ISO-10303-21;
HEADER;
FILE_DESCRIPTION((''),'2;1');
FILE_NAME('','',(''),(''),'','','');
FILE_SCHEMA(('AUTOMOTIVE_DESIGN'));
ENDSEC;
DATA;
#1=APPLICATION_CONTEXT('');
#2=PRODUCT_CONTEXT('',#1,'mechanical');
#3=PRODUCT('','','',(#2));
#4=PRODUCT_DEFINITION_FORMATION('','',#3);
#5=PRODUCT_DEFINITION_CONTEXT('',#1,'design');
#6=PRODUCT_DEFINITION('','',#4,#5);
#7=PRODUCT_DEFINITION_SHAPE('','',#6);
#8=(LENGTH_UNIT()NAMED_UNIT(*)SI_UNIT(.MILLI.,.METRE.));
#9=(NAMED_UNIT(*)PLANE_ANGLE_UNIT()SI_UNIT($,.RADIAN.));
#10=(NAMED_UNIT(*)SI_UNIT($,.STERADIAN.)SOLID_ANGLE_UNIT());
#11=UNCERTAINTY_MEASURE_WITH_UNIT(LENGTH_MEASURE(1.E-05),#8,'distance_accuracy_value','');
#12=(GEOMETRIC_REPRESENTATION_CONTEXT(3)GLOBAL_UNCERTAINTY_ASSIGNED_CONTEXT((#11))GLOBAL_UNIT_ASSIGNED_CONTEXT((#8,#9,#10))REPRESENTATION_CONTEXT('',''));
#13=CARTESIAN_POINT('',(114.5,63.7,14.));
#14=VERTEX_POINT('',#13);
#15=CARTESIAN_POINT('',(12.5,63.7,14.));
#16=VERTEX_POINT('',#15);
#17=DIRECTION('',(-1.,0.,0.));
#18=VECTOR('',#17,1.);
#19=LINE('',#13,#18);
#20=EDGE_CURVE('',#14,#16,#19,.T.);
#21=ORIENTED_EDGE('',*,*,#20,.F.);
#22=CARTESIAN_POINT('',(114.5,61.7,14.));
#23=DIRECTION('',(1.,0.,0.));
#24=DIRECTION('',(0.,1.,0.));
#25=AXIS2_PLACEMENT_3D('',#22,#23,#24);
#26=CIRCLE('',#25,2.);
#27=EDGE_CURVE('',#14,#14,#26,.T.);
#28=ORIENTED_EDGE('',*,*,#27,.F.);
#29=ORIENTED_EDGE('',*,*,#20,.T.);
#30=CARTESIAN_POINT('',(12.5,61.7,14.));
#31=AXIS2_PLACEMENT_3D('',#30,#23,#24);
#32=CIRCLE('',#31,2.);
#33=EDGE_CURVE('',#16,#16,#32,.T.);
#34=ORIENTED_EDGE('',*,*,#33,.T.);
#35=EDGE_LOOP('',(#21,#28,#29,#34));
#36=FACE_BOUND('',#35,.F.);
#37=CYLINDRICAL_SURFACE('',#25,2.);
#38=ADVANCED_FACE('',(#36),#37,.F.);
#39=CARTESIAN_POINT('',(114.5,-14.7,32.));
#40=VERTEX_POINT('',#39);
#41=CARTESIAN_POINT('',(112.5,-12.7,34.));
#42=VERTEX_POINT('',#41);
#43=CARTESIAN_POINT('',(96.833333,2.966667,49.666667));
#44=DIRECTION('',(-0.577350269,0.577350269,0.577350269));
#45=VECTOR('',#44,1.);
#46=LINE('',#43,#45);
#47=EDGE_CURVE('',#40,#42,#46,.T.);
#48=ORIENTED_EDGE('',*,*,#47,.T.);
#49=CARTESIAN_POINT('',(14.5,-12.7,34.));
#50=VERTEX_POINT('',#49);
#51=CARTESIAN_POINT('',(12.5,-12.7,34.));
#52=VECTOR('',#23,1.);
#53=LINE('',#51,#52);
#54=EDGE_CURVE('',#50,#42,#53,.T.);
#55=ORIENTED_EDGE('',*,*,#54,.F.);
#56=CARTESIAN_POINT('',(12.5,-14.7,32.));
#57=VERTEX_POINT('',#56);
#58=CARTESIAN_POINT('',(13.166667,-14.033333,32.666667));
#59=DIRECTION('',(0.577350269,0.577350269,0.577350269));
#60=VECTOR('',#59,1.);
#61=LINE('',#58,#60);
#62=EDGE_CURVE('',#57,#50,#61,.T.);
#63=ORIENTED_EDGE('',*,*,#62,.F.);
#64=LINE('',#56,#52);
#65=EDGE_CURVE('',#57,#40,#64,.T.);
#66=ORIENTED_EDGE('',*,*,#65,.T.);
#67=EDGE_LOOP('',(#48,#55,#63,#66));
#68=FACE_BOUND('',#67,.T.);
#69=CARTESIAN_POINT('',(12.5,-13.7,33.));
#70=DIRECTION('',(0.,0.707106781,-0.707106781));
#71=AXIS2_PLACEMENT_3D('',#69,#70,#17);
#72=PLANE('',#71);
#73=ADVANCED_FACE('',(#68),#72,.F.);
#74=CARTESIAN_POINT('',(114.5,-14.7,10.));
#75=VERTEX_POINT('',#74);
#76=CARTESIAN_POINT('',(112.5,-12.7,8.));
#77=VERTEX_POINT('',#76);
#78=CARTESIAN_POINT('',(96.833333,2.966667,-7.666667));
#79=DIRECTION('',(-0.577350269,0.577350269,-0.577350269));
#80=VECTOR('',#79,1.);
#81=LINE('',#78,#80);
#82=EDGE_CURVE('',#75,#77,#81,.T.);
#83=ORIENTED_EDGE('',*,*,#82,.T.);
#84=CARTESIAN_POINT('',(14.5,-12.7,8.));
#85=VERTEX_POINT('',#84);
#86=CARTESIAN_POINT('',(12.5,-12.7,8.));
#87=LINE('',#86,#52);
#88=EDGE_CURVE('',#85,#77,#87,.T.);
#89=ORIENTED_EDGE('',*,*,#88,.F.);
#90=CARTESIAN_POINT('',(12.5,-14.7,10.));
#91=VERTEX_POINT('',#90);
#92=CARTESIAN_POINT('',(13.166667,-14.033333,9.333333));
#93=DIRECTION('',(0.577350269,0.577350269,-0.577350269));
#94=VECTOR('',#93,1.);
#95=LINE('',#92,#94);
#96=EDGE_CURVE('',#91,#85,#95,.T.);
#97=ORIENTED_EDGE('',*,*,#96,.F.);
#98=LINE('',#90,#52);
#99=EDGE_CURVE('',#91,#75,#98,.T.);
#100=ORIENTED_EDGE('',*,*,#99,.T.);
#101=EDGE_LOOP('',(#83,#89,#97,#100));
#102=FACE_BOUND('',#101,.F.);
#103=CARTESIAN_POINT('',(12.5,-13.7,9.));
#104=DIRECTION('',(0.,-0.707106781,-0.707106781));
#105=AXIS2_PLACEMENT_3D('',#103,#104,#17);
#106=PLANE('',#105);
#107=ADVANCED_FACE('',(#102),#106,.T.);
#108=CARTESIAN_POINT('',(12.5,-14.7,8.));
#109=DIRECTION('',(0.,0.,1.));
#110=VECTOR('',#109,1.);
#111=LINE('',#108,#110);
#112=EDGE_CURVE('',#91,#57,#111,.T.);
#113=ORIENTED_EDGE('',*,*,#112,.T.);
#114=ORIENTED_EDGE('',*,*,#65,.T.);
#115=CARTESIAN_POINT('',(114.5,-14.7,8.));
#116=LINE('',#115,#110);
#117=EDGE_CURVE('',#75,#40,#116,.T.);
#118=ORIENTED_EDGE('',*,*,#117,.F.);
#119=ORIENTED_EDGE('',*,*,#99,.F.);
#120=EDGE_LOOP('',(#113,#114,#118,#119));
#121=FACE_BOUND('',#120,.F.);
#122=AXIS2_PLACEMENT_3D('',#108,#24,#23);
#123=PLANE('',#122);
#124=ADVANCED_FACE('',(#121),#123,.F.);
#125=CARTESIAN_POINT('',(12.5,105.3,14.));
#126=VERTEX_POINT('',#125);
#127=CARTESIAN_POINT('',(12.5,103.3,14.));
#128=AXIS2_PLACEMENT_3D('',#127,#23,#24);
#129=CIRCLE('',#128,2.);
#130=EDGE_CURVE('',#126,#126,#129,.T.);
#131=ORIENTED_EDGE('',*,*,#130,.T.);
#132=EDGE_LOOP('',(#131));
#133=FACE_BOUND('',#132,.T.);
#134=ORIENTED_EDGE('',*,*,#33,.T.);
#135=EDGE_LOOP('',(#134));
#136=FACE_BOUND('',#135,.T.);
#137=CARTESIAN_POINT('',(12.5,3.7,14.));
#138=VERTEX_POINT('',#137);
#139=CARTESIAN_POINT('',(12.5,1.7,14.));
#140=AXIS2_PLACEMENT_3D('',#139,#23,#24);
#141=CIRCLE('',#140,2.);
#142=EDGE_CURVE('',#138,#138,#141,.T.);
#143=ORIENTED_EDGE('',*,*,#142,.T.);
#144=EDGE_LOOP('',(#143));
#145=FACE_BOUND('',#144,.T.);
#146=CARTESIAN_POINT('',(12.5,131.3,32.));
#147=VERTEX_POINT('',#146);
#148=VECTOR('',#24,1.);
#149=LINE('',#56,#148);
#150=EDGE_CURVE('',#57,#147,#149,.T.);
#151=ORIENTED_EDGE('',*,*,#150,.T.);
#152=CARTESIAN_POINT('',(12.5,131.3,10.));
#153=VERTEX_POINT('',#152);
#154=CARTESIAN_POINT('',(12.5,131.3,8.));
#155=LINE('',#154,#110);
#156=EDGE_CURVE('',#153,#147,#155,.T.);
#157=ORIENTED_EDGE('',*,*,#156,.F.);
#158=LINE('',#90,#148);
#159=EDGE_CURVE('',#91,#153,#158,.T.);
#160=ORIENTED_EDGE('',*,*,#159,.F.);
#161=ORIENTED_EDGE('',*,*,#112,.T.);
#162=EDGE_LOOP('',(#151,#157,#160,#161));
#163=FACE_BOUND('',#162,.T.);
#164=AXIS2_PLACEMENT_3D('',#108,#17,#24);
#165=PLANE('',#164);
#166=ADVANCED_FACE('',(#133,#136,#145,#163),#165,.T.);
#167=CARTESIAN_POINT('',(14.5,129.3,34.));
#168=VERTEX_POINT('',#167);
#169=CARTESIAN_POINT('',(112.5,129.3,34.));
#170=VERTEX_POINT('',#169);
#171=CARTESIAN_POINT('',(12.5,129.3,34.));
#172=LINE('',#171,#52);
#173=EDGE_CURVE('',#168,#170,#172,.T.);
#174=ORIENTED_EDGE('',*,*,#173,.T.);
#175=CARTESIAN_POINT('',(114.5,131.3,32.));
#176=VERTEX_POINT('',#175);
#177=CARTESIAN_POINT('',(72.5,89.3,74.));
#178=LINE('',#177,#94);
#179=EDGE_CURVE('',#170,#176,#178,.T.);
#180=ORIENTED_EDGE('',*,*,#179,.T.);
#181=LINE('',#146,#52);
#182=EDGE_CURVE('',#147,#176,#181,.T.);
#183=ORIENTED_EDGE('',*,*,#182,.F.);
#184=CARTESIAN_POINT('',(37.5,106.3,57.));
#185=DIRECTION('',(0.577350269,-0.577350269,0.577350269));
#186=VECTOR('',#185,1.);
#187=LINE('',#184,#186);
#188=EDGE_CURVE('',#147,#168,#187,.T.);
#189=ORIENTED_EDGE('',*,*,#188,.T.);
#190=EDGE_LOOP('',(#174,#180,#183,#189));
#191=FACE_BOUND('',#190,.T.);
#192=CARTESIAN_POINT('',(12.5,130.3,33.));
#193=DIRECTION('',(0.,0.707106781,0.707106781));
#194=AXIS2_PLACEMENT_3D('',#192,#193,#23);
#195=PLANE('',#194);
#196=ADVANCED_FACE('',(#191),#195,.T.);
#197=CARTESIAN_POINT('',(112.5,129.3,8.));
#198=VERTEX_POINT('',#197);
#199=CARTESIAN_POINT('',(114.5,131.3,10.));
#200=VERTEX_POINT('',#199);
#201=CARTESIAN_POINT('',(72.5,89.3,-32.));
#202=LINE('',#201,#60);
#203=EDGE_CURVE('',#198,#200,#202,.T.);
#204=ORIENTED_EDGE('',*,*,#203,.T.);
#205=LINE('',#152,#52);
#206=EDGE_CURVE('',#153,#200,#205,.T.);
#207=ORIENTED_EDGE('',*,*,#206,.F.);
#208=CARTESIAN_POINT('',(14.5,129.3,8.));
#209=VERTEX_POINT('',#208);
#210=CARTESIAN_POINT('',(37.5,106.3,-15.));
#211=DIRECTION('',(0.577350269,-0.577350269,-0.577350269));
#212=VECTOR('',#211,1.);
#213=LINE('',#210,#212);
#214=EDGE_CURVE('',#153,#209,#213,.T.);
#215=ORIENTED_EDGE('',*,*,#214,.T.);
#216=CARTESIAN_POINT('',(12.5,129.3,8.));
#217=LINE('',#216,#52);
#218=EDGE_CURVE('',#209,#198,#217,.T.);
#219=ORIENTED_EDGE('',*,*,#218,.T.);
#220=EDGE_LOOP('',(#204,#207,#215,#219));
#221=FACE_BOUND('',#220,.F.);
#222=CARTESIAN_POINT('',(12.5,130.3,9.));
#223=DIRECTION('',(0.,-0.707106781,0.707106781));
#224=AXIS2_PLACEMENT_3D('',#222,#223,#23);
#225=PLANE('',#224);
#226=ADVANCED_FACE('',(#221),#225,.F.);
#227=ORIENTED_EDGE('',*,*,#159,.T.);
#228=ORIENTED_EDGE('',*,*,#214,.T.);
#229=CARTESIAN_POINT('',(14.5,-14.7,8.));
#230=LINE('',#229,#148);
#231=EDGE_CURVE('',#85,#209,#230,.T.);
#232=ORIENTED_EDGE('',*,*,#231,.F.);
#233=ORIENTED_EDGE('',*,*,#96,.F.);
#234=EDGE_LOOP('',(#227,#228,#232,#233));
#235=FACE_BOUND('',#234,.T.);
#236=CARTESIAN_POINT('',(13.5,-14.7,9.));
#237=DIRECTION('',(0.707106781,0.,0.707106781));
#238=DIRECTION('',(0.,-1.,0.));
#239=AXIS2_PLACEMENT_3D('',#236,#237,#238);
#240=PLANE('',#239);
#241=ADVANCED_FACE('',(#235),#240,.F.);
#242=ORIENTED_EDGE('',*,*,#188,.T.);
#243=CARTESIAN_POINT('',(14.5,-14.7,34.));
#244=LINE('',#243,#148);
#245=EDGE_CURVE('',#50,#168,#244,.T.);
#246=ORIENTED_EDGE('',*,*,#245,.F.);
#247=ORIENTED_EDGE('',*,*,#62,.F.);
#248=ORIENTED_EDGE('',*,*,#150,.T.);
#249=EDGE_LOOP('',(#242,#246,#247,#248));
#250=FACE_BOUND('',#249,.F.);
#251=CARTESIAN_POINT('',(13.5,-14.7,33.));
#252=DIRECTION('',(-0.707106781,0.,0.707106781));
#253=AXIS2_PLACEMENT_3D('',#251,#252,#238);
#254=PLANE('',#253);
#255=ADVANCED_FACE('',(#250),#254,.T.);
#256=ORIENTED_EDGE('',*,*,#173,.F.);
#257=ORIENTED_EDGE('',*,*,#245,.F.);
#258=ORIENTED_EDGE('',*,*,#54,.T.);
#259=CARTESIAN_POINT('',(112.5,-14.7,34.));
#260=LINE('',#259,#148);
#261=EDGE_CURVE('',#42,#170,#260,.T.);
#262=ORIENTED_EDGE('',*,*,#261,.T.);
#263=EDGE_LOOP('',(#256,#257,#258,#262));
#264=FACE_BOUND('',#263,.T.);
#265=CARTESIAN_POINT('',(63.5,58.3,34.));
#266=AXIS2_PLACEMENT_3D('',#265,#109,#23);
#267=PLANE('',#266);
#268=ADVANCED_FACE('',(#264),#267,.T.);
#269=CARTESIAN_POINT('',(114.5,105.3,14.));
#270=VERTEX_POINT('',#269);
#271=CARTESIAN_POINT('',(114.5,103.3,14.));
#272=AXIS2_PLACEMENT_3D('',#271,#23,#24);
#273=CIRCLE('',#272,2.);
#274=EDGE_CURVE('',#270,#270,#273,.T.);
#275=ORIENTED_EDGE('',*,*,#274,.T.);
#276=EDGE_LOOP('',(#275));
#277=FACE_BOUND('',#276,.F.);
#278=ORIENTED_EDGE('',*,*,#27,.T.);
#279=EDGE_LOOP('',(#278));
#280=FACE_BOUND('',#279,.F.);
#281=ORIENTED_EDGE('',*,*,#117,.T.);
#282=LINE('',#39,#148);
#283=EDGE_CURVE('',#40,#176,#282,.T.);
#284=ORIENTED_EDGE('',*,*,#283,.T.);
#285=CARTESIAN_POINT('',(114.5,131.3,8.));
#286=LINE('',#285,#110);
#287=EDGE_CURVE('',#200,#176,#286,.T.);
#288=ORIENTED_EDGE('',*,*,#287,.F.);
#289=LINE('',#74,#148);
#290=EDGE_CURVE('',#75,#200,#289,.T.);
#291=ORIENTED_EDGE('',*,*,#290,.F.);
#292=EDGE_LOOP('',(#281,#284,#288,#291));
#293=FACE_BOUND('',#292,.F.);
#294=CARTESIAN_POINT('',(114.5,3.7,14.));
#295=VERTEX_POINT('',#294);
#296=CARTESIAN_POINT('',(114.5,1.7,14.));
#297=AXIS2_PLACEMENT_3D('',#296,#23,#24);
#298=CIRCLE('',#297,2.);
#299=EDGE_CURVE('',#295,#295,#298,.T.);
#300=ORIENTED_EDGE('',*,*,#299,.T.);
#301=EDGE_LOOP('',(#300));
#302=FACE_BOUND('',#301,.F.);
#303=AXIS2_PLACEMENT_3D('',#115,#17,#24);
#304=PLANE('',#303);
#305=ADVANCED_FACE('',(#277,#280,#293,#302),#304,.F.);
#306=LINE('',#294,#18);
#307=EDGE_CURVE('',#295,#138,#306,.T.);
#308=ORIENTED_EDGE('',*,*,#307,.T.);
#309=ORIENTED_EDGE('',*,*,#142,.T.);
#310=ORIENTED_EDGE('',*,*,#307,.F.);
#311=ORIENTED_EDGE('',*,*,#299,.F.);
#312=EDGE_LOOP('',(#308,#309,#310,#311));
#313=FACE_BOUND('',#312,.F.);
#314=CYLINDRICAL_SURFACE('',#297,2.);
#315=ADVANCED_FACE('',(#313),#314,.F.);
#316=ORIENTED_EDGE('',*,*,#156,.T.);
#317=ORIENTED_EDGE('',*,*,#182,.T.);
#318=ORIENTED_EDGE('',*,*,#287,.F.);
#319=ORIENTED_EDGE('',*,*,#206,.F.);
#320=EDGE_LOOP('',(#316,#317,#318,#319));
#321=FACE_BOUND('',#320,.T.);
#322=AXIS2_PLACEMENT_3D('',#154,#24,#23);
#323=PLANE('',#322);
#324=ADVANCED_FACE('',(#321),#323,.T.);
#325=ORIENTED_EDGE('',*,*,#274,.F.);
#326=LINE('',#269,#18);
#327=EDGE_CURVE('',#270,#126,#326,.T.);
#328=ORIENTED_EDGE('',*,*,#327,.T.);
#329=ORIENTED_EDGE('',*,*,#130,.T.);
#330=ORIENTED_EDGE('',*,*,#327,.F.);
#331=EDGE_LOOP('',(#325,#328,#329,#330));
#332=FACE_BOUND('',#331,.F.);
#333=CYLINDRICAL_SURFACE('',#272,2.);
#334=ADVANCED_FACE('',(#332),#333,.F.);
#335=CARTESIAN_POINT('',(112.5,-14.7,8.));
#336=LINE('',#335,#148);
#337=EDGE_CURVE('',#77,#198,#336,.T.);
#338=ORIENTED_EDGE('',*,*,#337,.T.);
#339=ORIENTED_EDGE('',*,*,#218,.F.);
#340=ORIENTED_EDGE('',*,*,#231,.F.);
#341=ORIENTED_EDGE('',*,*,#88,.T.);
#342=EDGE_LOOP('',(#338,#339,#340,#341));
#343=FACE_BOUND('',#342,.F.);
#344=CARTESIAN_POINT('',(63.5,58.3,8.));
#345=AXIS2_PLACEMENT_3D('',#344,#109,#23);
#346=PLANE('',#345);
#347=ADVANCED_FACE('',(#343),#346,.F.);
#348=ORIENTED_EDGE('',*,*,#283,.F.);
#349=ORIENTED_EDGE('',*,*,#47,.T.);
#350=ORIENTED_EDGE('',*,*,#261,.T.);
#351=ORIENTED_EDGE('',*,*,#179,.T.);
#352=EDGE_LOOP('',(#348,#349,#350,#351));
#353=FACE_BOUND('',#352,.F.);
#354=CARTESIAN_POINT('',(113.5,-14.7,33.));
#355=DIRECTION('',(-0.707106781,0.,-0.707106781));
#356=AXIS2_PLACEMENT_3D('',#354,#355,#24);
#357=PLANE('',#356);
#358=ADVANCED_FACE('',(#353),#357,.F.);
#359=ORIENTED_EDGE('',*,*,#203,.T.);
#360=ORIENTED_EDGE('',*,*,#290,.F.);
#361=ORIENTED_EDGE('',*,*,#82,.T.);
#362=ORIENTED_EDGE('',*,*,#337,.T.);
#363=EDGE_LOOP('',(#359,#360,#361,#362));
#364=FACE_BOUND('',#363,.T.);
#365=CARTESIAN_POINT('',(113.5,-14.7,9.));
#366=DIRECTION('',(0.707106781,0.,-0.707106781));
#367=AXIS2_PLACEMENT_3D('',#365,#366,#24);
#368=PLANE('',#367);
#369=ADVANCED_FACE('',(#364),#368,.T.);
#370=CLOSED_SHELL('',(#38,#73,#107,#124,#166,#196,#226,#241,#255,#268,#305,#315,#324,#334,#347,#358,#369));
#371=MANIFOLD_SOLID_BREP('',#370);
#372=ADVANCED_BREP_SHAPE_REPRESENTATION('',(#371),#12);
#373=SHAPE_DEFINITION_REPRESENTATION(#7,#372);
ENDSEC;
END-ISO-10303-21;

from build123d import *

# Parameters (mm, degrees)
SKETCH048_W     = 102
SKETCH048_H     = 146
PAD013_DEPTH    = 26
SKETCH049_R     = 2
POCKET034_DEPTH = 102.001
CHAMFER002_SIZE = 2


with BuildPart() as part:
    # Sketch048 → Pad013 (new body)
    with BuildSketch(Plane.XY):
        Rectangle(SKETCH048_W, SKETCH048_H)
    extrude(amount=PAD013_DEPTH)

    # Sketch049 (on Face3 of Pad013) → Pocket034 (cut, through all)
    with BuildSketch(Plane.YZ.offset(51)):
        with Locations((45, 6)):
            Circle(SKETCH049_R)
        with Locations((3.4, 6)):
            Circle(SKETCH049_R)
        with Locations((-56.6, 6)):
            Circle(SKETCH049_R)
    extrude(amount=-POCKET034_DEPTH, mode=Mode.SUBTRACT)

    # Chamfer002
    chamfer002_edges = [part.edges().sort_by_distance(p)[0] for p in [
        (-51, 0, 0),
        (0, -73, 0),
        (51, 0, 0),
        (0, 73, 0),
        (-51, 0, 26),
        (0, -73, 26),
        (51, 0, 26),
        (0, 73, 26),
    ]]
    chamfer(chamfer002_edges, length=CHAMFER002_SIZE)


with BuildPart() as part_1:
    # Body011 placement: moved
    add(part.part.moved(Location((63.5, 58.3, 8))))


solid = part_1.part
